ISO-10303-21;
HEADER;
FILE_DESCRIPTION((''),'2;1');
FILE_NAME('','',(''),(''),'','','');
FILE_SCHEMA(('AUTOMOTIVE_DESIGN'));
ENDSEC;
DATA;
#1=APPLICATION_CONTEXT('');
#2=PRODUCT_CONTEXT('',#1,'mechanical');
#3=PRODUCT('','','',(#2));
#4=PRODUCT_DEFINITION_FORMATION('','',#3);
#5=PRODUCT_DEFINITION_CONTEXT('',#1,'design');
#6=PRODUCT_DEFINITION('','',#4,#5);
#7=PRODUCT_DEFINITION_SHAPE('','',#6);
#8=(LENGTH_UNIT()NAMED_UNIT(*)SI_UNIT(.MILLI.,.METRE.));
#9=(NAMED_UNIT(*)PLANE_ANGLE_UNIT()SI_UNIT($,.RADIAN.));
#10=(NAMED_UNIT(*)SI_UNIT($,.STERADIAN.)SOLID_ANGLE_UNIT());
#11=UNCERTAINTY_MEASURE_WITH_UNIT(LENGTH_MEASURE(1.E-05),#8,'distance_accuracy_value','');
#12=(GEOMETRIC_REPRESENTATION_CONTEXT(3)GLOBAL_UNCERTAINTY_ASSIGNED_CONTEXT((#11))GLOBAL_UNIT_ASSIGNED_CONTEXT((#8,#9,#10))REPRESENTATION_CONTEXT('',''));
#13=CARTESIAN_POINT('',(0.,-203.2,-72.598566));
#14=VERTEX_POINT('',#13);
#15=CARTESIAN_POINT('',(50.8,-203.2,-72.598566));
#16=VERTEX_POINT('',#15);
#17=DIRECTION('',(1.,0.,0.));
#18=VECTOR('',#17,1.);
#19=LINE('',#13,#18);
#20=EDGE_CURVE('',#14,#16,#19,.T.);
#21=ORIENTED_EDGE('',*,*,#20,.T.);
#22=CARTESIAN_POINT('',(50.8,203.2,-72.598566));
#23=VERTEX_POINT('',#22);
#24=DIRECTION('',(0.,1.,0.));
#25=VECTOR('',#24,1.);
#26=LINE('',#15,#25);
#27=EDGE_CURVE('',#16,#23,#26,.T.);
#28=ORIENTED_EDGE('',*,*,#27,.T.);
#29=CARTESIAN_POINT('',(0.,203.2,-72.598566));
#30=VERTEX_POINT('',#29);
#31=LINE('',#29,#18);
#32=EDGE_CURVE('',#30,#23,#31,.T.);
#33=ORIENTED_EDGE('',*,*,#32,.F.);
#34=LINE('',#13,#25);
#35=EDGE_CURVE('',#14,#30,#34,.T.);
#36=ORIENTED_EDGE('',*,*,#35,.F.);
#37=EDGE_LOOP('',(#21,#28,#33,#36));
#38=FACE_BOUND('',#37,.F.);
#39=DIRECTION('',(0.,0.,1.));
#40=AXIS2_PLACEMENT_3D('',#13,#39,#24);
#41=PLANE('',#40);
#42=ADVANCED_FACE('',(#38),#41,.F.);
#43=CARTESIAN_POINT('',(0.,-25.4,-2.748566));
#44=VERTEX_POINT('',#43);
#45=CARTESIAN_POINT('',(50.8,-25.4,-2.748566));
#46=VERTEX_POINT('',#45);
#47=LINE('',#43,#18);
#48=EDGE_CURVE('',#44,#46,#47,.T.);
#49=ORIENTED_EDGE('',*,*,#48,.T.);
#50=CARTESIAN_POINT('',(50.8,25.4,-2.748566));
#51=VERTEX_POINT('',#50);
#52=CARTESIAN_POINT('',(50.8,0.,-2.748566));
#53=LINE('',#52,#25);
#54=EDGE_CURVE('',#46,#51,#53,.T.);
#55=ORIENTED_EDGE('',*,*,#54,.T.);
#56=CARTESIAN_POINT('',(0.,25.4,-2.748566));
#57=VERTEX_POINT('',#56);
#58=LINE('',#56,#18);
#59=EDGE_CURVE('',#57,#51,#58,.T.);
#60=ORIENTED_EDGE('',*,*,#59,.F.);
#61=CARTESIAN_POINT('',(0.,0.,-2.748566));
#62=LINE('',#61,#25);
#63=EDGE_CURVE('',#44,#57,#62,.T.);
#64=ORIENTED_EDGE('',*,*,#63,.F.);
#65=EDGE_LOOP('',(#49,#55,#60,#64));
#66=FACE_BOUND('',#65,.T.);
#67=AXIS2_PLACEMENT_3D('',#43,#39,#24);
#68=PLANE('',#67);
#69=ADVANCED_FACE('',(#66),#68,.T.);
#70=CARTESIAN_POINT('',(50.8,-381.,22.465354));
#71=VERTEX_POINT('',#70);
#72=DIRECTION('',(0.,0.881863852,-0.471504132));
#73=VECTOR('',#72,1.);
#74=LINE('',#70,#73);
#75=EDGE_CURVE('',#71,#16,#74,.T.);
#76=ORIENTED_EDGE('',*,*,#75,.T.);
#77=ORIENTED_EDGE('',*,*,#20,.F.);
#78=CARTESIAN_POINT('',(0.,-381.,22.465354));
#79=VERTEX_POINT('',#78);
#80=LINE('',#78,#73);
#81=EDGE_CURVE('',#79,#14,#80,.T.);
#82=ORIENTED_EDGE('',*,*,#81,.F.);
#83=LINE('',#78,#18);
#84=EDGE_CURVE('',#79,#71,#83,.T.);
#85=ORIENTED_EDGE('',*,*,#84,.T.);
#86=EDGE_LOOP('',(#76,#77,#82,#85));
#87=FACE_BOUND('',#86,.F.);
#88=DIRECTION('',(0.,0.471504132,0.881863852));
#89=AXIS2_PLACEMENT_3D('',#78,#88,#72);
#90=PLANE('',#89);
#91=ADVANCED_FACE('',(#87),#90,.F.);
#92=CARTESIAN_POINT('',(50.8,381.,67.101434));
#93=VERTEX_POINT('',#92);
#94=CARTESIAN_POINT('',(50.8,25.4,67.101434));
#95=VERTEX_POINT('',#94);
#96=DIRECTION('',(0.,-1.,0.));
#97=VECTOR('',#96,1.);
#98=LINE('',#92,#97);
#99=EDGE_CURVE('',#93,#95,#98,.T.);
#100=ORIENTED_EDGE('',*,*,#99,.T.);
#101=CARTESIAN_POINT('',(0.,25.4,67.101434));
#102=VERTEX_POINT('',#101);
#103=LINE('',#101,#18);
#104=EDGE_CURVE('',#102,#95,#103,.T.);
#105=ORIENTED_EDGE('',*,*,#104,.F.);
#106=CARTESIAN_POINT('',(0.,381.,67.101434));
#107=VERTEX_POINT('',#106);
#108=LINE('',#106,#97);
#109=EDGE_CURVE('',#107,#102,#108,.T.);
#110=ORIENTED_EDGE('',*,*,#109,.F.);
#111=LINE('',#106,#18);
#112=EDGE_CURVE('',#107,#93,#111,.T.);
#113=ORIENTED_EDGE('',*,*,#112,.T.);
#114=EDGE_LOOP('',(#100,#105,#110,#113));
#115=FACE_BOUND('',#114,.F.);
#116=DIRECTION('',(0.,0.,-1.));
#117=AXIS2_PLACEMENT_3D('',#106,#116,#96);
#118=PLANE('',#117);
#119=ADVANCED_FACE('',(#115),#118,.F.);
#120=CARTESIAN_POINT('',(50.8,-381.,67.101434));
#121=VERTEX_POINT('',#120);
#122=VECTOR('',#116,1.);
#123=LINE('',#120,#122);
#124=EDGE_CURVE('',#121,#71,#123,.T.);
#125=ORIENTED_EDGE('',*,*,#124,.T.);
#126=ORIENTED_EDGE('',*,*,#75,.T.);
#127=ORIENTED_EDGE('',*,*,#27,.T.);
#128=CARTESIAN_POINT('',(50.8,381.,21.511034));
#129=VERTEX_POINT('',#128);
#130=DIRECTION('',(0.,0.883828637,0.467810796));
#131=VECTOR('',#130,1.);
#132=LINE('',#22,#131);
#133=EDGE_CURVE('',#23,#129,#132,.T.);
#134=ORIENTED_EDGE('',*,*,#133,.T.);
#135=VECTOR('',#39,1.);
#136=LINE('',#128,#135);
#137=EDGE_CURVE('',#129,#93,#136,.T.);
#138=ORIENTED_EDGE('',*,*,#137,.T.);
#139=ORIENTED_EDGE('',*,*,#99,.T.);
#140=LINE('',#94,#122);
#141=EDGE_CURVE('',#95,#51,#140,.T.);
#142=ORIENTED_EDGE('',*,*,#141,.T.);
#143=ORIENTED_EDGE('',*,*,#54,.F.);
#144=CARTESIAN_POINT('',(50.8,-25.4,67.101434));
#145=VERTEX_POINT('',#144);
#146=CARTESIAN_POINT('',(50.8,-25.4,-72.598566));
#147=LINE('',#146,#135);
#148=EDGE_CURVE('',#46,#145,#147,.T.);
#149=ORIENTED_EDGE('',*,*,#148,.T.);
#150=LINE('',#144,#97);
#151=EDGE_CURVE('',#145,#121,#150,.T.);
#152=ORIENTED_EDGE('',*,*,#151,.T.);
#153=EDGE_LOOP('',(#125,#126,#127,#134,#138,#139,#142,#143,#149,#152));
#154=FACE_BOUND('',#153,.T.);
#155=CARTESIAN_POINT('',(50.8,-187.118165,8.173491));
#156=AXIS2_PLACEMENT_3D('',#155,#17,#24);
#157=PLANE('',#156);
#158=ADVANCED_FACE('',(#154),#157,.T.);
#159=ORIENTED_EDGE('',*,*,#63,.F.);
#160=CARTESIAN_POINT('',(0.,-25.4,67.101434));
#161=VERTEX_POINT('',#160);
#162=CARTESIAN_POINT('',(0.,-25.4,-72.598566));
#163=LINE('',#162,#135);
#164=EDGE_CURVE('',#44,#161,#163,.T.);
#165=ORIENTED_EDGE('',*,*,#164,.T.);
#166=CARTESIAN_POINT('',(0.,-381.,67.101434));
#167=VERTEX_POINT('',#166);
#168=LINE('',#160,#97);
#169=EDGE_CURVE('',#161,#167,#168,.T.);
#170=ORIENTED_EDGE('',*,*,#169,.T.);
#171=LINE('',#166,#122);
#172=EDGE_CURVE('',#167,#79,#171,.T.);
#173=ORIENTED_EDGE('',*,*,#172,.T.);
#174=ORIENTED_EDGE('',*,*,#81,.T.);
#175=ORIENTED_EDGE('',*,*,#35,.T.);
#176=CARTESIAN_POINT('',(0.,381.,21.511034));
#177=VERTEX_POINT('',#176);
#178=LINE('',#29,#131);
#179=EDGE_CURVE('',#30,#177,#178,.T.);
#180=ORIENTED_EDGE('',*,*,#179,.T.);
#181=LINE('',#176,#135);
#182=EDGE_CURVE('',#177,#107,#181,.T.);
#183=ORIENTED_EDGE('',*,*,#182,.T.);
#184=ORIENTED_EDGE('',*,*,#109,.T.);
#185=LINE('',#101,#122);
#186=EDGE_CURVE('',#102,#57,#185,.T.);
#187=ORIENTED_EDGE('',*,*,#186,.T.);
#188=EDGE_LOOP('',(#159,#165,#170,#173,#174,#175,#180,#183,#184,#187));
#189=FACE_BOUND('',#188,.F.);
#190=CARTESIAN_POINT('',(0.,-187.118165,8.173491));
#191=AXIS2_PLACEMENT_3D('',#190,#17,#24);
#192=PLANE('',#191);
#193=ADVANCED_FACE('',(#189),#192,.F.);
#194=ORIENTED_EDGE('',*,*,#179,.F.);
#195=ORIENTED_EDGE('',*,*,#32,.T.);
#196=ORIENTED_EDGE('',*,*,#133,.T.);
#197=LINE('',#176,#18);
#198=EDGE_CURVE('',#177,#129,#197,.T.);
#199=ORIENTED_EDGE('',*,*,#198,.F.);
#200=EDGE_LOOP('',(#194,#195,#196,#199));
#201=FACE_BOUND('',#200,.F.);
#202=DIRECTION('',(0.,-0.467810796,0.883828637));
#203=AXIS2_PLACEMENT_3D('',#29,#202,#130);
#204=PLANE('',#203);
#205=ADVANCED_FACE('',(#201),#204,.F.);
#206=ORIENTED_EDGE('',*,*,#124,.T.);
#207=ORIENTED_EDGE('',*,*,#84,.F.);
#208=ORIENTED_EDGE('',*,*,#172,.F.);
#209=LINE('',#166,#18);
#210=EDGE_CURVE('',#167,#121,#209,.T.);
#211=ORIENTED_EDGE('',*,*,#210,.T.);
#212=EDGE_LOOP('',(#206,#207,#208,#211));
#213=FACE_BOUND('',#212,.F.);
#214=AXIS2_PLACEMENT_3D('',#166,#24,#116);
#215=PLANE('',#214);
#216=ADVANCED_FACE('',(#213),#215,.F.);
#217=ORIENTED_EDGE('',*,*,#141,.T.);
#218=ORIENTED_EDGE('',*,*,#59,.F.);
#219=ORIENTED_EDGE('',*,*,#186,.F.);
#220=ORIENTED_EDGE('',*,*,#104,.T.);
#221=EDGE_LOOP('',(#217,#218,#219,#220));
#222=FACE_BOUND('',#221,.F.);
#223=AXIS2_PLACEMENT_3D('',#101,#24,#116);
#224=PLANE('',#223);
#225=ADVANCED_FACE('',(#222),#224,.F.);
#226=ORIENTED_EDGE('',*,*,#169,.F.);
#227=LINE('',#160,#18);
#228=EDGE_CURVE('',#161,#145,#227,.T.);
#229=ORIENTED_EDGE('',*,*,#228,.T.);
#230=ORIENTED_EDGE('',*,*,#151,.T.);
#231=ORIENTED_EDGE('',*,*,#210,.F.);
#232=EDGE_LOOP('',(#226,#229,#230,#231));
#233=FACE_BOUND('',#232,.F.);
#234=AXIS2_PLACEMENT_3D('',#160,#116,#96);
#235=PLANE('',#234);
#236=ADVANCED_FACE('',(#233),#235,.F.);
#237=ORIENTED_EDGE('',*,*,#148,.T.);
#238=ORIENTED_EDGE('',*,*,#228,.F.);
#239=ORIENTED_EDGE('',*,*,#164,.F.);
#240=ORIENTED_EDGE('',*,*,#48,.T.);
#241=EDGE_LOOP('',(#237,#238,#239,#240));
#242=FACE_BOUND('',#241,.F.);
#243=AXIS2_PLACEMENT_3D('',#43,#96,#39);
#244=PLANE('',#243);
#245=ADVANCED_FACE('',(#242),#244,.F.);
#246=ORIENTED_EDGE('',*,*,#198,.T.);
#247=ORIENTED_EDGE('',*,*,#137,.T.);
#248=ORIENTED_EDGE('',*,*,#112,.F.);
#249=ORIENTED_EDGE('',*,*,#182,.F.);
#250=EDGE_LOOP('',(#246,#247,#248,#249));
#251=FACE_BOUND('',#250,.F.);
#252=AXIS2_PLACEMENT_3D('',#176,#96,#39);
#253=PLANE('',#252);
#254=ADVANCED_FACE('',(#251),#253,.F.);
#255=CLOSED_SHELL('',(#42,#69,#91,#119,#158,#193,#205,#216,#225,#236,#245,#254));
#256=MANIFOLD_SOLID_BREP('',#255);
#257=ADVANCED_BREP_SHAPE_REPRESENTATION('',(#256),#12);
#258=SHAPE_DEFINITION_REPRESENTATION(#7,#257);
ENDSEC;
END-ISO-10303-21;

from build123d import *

# Parameters (mm, degrees)
F0_W     = 50.8
F0_H     = 69.85
F1_DEPTH = 50.8


with BuildPart() as f1:
    # F0 (on Right) → F1 (new body)
    with BuildSketch(Plane.YZ):
        Polygon((-203.2, -72.598566), (-25.4, -72.598566), (-25.4, -2.748566), (-25.4, 67.101434), (-381, 67.101434), (-381, 22.465354), align=None)
        with Locations((0, -37.673566)):
            Rectangle(F0_W, F0_H)
        Polygon((25.4, -2.748566), (25.4, -72.598566), (203.2, -72.598566), (381, 21.511034), (381, 67.101434), (25.4, 67.101434), align=None)
    extrude(amount=F1_DEPTH)


solid = f1.part
